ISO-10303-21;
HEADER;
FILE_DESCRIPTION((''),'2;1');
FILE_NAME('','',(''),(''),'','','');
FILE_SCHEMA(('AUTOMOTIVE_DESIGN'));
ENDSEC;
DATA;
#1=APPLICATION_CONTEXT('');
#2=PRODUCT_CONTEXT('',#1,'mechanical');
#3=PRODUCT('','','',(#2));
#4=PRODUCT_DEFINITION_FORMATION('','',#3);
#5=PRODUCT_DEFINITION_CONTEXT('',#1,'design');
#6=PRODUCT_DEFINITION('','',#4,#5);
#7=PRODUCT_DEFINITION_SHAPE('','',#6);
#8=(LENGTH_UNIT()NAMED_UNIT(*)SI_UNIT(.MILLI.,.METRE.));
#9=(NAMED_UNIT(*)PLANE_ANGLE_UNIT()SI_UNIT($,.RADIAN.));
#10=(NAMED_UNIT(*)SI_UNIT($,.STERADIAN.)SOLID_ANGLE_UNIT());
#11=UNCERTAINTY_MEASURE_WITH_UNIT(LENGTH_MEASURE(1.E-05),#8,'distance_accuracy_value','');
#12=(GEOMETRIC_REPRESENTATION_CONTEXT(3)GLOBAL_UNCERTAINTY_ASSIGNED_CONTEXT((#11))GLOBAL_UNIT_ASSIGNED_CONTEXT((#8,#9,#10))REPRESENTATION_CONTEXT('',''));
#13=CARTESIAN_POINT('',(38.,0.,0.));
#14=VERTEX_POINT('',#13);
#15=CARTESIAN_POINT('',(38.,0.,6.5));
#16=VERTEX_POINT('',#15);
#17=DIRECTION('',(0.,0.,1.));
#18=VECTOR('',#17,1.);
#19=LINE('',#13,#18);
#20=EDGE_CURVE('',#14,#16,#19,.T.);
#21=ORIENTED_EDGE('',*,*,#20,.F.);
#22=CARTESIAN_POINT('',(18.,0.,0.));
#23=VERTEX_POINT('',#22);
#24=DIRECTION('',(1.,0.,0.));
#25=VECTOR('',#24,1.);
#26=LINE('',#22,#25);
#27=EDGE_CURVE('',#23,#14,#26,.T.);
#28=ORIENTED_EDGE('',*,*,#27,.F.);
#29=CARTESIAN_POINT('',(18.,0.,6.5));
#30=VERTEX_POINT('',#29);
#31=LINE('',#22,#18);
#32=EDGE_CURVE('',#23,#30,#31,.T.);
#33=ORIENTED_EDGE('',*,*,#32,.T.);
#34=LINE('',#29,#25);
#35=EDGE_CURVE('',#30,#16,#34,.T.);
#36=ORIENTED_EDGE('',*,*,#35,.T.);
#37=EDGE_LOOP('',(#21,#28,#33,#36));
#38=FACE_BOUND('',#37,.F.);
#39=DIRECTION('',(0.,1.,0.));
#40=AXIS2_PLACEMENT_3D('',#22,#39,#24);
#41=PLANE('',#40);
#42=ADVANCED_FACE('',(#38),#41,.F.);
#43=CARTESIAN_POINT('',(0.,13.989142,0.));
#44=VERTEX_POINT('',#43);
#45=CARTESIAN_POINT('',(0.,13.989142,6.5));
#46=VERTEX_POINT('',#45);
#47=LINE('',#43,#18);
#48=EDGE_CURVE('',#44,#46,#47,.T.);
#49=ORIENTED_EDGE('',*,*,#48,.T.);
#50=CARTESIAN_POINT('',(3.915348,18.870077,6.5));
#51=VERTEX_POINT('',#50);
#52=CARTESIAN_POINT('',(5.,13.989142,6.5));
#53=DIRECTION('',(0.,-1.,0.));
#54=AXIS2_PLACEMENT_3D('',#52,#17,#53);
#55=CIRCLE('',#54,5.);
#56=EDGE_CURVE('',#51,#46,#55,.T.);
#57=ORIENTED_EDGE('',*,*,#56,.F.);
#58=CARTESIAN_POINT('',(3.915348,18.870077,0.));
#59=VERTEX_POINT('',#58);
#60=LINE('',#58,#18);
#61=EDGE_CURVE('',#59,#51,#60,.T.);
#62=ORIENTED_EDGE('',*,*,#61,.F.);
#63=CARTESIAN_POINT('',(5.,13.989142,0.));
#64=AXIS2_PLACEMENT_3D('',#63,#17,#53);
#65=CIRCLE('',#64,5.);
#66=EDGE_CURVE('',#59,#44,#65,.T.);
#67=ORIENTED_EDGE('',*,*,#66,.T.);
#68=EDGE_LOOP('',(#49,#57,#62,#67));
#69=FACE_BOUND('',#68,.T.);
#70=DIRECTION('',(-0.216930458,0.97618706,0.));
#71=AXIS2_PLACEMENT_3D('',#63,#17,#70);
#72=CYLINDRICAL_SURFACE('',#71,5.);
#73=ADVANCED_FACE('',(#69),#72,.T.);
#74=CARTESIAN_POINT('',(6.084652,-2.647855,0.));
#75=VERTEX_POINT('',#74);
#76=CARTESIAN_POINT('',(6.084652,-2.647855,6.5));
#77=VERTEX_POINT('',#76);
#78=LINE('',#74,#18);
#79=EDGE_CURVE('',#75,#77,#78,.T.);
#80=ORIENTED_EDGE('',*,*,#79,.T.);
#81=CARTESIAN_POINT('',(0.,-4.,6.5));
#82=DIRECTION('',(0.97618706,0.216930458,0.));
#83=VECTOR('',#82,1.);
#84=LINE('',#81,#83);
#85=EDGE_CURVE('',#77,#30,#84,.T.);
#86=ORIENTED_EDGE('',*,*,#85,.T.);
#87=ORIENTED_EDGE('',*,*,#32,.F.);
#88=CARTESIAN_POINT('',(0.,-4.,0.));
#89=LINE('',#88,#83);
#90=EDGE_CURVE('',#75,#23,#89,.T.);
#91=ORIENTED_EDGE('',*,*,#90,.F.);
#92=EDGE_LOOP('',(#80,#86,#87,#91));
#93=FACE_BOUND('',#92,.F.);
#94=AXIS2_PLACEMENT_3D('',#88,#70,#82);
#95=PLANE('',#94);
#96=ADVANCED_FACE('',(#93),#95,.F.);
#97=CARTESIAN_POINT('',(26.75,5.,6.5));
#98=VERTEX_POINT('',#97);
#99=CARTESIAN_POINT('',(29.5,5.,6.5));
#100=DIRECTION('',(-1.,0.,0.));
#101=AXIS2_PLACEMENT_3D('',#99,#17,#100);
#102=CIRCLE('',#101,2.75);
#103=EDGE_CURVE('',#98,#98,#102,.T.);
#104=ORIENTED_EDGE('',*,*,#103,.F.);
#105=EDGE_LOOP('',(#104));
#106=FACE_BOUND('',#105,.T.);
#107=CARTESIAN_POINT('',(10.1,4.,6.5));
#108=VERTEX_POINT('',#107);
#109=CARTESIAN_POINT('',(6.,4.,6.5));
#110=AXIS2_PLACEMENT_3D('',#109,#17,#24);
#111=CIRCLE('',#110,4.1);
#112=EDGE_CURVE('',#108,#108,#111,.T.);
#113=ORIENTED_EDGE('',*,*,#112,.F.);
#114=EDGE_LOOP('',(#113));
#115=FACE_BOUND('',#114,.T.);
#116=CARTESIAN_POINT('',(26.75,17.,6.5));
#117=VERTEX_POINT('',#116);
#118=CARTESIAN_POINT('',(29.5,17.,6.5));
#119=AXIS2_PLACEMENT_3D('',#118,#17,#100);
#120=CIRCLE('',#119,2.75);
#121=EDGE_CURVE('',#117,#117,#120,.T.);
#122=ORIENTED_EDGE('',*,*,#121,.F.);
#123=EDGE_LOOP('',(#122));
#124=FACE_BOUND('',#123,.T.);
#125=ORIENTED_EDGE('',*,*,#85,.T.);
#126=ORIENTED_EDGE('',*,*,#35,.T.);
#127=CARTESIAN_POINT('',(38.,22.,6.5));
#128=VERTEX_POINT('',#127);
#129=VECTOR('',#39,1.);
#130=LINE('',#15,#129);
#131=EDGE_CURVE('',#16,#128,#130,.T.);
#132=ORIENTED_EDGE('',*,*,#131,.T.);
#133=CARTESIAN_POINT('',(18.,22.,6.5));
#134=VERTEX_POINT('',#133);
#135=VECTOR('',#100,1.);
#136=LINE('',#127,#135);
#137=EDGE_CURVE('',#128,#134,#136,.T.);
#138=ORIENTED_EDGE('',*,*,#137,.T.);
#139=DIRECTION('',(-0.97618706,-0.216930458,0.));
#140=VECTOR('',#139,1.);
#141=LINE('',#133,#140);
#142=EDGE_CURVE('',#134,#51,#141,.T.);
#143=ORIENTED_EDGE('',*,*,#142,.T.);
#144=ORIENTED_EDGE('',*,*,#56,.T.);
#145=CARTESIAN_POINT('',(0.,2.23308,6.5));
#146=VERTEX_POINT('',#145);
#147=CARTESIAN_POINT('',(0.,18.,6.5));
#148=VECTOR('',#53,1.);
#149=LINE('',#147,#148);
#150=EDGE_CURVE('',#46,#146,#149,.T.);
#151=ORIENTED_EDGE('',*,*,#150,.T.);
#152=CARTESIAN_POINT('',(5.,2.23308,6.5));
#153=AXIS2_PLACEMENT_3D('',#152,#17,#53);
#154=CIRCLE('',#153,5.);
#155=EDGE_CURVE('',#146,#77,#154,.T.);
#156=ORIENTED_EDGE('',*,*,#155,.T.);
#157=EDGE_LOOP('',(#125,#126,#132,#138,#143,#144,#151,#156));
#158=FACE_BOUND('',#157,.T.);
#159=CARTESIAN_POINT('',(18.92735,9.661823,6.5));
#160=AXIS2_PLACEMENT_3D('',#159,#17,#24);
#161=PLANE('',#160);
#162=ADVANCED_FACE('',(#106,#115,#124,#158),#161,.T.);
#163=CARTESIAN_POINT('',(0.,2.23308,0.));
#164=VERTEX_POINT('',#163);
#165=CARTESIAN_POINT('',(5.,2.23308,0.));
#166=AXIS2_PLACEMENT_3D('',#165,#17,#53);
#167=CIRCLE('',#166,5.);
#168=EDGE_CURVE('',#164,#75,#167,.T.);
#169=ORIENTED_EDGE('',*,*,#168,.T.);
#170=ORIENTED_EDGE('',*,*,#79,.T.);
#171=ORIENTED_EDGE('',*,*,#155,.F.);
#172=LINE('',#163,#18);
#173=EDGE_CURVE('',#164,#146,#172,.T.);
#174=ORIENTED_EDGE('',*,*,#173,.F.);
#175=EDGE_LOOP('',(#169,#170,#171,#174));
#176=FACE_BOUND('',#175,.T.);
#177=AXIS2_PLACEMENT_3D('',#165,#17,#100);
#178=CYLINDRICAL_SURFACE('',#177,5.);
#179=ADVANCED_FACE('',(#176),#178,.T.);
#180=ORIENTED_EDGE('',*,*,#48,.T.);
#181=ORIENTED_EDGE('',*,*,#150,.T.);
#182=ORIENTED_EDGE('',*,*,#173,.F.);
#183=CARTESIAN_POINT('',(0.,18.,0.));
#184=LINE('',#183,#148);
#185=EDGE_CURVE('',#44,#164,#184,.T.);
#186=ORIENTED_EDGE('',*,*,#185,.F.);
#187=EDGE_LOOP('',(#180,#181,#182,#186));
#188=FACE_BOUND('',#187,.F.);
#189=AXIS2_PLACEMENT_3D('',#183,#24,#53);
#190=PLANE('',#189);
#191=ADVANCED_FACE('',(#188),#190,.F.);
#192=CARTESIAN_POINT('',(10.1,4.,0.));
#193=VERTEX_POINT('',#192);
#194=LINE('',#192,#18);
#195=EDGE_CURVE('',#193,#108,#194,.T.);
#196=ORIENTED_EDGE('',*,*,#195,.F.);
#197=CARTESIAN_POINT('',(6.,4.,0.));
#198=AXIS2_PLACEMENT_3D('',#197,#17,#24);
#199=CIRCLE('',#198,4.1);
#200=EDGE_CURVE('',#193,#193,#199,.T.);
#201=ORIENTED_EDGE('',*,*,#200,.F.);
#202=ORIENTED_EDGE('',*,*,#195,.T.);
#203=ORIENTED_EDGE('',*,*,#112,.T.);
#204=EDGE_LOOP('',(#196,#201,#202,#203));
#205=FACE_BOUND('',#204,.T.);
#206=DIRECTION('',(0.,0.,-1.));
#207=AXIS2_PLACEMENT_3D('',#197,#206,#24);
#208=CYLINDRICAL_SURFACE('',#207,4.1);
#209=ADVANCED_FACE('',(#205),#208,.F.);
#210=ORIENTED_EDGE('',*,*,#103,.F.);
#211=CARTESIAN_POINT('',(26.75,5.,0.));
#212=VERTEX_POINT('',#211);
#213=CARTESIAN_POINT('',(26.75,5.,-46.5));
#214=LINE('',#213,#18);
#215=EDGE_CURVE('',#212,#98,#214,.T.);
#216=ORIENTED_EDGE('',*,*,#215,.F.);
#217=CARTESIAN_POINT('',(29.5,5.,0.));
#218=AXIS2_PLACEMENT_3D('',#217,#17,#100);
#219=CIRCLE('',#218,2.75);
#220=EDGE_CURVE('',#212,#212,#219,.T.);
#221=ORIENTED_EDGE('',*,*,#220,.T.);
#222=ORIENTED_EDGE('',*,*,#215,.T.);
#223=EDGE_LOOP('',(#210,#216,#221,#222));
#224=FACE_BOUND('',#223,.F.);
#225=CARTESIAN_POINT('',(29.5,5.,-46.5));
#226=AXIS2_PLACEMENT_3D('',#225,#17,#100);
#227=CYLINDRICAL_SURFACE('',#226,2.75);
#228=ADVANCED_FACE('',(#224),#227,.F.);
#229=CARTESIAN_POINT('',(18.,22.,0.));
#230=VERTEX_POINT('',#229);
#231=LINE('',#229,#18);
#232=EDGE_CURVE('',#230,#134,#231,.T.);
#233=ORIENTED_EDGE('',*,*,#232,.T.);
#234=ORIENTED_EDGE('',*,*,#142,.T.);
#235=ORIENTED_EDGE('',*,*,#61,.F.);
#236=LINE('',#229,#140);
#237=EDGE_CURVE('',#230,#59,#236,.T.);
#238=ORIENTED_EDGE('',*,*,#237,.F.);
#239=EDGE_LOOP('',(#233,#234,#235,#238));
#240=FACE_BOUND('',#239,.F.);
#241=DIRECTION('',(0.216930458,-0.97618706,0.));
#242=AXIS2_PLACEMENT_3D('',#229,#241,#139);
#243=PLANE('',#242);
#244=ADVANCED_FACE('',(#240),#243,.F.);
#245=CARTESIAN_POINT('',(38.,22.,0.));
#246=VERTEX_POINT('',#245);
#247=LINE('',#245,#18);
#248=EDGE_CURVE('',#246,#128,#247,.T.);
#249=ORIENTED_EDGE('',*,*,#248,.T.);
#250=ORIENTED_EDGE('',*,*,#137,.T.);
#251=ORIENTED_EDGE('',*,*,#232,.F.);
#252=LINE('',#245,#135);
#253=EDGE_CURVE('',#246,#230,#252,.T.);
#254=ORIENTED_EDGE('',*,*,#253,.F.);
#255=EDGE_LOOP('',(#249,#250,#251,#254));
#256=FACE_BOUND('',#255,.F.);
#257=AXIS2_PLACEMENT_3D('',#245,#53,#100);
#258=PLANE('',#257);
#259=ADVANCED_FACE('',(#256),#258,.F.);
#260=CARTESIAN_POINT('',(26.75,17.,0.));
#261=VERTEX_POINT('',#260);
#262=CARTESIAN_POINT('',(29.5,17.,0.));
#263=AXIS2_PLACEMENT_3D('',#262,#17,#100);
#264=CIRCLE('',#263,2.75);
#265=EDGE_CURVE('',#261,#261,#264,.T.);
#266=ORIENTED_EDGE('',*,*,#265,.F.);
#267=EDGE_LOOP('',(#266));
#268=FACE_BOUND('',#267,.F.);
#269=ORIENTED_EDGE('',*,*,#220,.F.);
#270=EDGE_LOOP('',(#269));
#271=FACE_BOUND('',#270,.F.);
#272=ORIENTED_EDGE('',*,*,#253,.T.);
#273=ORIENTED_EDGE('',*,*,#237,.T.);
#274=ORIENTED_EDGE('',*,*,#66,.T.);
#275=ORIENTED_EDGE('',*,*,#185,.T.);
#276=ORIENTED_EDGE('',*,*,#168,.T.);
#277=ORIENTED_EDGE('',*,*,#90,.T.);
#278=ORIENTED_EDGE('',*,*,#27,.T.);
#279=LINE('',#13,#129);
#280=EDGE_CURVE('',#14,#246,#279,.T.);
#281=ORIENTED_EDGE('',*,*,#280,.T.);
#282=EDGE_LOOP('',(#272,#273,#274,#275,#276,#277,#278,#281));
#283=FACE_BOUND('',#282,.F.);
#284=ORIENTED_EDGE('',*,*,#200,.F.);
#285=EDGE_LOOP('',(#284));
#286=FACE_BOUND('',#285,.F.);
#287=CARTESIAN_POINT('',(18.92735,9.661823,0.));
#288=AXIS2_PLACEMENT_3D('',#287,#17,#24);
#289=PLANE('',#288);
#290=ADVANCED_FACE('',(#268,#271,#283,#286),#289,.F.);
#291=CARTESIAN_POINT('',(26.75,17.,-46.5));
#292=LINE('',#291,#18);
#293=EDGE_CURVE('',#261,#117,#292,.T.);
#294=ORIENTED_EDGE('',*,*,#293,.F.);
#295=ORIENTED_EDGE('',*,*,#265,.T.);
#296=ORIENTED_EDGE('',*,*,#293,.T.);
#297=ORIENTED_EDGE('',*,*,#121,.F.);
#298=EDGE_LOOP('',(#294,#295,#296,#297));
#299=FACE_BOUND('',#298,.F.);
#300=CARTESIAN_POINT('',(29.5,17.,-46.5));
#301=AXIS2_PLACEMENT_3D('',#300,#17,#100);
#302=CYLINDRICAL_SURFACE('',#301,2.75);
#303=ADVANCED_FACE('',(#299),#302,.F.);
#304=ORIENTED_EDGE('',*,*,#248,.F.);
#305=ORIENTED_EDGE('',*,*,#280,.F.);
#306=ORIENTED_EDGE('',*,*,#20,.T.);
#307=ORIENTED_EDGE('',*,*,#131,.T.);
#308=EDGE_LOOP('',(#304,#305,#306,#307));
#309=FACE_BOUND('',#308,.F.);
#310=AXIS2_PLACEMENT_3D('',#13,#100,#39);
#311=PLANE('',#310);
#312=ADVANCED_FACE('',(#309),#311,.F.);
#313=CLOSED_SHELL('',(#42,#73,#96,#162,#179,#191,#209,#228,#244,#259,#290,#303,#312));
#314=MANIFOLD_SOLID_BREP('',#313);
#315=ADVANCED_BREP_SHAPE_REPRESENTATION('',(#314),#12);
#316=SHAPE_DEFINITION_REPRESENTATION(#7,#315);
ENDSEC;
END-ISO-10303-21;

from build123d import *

# Parameters (mm, degrees)
F0_R     = 4.1
F1_DEPTH = 6.5
F2_D     = 5.5
F3_R     = 5


with BuildPart() as f1:
    # F0 (on Top) → F1 (new body)
    with BuildSketch(Plane.XY):
        Polygon((18, 22), (0, 18), (0, 0), (0, -4), (18, 0), (38, 0), (38, 22), align=None)
        with Locations((6, 4)):
            Circle(F0_R, mode=Mode.SUBTRACT)
    extrude(amount=F1_DEPTH)

    # F2 (through all)
    with Locations(Plane(origin=(0, 0, 0), x_dir=(1, 0, 0), z_dir=(0, 0, -1))):
        with Locations((29.5, -17), (29.5, -5)):
            Hole(F2_D / 2)

    # F3
    f3_edges = [f1.edges().sort_by_distance(p)[0] for p in [
        (0, 18, 3.25),
        (0, -4, 3.25),
    ]]
    fillet(f3_edges, radius=F3_R)


solid = f1.part
